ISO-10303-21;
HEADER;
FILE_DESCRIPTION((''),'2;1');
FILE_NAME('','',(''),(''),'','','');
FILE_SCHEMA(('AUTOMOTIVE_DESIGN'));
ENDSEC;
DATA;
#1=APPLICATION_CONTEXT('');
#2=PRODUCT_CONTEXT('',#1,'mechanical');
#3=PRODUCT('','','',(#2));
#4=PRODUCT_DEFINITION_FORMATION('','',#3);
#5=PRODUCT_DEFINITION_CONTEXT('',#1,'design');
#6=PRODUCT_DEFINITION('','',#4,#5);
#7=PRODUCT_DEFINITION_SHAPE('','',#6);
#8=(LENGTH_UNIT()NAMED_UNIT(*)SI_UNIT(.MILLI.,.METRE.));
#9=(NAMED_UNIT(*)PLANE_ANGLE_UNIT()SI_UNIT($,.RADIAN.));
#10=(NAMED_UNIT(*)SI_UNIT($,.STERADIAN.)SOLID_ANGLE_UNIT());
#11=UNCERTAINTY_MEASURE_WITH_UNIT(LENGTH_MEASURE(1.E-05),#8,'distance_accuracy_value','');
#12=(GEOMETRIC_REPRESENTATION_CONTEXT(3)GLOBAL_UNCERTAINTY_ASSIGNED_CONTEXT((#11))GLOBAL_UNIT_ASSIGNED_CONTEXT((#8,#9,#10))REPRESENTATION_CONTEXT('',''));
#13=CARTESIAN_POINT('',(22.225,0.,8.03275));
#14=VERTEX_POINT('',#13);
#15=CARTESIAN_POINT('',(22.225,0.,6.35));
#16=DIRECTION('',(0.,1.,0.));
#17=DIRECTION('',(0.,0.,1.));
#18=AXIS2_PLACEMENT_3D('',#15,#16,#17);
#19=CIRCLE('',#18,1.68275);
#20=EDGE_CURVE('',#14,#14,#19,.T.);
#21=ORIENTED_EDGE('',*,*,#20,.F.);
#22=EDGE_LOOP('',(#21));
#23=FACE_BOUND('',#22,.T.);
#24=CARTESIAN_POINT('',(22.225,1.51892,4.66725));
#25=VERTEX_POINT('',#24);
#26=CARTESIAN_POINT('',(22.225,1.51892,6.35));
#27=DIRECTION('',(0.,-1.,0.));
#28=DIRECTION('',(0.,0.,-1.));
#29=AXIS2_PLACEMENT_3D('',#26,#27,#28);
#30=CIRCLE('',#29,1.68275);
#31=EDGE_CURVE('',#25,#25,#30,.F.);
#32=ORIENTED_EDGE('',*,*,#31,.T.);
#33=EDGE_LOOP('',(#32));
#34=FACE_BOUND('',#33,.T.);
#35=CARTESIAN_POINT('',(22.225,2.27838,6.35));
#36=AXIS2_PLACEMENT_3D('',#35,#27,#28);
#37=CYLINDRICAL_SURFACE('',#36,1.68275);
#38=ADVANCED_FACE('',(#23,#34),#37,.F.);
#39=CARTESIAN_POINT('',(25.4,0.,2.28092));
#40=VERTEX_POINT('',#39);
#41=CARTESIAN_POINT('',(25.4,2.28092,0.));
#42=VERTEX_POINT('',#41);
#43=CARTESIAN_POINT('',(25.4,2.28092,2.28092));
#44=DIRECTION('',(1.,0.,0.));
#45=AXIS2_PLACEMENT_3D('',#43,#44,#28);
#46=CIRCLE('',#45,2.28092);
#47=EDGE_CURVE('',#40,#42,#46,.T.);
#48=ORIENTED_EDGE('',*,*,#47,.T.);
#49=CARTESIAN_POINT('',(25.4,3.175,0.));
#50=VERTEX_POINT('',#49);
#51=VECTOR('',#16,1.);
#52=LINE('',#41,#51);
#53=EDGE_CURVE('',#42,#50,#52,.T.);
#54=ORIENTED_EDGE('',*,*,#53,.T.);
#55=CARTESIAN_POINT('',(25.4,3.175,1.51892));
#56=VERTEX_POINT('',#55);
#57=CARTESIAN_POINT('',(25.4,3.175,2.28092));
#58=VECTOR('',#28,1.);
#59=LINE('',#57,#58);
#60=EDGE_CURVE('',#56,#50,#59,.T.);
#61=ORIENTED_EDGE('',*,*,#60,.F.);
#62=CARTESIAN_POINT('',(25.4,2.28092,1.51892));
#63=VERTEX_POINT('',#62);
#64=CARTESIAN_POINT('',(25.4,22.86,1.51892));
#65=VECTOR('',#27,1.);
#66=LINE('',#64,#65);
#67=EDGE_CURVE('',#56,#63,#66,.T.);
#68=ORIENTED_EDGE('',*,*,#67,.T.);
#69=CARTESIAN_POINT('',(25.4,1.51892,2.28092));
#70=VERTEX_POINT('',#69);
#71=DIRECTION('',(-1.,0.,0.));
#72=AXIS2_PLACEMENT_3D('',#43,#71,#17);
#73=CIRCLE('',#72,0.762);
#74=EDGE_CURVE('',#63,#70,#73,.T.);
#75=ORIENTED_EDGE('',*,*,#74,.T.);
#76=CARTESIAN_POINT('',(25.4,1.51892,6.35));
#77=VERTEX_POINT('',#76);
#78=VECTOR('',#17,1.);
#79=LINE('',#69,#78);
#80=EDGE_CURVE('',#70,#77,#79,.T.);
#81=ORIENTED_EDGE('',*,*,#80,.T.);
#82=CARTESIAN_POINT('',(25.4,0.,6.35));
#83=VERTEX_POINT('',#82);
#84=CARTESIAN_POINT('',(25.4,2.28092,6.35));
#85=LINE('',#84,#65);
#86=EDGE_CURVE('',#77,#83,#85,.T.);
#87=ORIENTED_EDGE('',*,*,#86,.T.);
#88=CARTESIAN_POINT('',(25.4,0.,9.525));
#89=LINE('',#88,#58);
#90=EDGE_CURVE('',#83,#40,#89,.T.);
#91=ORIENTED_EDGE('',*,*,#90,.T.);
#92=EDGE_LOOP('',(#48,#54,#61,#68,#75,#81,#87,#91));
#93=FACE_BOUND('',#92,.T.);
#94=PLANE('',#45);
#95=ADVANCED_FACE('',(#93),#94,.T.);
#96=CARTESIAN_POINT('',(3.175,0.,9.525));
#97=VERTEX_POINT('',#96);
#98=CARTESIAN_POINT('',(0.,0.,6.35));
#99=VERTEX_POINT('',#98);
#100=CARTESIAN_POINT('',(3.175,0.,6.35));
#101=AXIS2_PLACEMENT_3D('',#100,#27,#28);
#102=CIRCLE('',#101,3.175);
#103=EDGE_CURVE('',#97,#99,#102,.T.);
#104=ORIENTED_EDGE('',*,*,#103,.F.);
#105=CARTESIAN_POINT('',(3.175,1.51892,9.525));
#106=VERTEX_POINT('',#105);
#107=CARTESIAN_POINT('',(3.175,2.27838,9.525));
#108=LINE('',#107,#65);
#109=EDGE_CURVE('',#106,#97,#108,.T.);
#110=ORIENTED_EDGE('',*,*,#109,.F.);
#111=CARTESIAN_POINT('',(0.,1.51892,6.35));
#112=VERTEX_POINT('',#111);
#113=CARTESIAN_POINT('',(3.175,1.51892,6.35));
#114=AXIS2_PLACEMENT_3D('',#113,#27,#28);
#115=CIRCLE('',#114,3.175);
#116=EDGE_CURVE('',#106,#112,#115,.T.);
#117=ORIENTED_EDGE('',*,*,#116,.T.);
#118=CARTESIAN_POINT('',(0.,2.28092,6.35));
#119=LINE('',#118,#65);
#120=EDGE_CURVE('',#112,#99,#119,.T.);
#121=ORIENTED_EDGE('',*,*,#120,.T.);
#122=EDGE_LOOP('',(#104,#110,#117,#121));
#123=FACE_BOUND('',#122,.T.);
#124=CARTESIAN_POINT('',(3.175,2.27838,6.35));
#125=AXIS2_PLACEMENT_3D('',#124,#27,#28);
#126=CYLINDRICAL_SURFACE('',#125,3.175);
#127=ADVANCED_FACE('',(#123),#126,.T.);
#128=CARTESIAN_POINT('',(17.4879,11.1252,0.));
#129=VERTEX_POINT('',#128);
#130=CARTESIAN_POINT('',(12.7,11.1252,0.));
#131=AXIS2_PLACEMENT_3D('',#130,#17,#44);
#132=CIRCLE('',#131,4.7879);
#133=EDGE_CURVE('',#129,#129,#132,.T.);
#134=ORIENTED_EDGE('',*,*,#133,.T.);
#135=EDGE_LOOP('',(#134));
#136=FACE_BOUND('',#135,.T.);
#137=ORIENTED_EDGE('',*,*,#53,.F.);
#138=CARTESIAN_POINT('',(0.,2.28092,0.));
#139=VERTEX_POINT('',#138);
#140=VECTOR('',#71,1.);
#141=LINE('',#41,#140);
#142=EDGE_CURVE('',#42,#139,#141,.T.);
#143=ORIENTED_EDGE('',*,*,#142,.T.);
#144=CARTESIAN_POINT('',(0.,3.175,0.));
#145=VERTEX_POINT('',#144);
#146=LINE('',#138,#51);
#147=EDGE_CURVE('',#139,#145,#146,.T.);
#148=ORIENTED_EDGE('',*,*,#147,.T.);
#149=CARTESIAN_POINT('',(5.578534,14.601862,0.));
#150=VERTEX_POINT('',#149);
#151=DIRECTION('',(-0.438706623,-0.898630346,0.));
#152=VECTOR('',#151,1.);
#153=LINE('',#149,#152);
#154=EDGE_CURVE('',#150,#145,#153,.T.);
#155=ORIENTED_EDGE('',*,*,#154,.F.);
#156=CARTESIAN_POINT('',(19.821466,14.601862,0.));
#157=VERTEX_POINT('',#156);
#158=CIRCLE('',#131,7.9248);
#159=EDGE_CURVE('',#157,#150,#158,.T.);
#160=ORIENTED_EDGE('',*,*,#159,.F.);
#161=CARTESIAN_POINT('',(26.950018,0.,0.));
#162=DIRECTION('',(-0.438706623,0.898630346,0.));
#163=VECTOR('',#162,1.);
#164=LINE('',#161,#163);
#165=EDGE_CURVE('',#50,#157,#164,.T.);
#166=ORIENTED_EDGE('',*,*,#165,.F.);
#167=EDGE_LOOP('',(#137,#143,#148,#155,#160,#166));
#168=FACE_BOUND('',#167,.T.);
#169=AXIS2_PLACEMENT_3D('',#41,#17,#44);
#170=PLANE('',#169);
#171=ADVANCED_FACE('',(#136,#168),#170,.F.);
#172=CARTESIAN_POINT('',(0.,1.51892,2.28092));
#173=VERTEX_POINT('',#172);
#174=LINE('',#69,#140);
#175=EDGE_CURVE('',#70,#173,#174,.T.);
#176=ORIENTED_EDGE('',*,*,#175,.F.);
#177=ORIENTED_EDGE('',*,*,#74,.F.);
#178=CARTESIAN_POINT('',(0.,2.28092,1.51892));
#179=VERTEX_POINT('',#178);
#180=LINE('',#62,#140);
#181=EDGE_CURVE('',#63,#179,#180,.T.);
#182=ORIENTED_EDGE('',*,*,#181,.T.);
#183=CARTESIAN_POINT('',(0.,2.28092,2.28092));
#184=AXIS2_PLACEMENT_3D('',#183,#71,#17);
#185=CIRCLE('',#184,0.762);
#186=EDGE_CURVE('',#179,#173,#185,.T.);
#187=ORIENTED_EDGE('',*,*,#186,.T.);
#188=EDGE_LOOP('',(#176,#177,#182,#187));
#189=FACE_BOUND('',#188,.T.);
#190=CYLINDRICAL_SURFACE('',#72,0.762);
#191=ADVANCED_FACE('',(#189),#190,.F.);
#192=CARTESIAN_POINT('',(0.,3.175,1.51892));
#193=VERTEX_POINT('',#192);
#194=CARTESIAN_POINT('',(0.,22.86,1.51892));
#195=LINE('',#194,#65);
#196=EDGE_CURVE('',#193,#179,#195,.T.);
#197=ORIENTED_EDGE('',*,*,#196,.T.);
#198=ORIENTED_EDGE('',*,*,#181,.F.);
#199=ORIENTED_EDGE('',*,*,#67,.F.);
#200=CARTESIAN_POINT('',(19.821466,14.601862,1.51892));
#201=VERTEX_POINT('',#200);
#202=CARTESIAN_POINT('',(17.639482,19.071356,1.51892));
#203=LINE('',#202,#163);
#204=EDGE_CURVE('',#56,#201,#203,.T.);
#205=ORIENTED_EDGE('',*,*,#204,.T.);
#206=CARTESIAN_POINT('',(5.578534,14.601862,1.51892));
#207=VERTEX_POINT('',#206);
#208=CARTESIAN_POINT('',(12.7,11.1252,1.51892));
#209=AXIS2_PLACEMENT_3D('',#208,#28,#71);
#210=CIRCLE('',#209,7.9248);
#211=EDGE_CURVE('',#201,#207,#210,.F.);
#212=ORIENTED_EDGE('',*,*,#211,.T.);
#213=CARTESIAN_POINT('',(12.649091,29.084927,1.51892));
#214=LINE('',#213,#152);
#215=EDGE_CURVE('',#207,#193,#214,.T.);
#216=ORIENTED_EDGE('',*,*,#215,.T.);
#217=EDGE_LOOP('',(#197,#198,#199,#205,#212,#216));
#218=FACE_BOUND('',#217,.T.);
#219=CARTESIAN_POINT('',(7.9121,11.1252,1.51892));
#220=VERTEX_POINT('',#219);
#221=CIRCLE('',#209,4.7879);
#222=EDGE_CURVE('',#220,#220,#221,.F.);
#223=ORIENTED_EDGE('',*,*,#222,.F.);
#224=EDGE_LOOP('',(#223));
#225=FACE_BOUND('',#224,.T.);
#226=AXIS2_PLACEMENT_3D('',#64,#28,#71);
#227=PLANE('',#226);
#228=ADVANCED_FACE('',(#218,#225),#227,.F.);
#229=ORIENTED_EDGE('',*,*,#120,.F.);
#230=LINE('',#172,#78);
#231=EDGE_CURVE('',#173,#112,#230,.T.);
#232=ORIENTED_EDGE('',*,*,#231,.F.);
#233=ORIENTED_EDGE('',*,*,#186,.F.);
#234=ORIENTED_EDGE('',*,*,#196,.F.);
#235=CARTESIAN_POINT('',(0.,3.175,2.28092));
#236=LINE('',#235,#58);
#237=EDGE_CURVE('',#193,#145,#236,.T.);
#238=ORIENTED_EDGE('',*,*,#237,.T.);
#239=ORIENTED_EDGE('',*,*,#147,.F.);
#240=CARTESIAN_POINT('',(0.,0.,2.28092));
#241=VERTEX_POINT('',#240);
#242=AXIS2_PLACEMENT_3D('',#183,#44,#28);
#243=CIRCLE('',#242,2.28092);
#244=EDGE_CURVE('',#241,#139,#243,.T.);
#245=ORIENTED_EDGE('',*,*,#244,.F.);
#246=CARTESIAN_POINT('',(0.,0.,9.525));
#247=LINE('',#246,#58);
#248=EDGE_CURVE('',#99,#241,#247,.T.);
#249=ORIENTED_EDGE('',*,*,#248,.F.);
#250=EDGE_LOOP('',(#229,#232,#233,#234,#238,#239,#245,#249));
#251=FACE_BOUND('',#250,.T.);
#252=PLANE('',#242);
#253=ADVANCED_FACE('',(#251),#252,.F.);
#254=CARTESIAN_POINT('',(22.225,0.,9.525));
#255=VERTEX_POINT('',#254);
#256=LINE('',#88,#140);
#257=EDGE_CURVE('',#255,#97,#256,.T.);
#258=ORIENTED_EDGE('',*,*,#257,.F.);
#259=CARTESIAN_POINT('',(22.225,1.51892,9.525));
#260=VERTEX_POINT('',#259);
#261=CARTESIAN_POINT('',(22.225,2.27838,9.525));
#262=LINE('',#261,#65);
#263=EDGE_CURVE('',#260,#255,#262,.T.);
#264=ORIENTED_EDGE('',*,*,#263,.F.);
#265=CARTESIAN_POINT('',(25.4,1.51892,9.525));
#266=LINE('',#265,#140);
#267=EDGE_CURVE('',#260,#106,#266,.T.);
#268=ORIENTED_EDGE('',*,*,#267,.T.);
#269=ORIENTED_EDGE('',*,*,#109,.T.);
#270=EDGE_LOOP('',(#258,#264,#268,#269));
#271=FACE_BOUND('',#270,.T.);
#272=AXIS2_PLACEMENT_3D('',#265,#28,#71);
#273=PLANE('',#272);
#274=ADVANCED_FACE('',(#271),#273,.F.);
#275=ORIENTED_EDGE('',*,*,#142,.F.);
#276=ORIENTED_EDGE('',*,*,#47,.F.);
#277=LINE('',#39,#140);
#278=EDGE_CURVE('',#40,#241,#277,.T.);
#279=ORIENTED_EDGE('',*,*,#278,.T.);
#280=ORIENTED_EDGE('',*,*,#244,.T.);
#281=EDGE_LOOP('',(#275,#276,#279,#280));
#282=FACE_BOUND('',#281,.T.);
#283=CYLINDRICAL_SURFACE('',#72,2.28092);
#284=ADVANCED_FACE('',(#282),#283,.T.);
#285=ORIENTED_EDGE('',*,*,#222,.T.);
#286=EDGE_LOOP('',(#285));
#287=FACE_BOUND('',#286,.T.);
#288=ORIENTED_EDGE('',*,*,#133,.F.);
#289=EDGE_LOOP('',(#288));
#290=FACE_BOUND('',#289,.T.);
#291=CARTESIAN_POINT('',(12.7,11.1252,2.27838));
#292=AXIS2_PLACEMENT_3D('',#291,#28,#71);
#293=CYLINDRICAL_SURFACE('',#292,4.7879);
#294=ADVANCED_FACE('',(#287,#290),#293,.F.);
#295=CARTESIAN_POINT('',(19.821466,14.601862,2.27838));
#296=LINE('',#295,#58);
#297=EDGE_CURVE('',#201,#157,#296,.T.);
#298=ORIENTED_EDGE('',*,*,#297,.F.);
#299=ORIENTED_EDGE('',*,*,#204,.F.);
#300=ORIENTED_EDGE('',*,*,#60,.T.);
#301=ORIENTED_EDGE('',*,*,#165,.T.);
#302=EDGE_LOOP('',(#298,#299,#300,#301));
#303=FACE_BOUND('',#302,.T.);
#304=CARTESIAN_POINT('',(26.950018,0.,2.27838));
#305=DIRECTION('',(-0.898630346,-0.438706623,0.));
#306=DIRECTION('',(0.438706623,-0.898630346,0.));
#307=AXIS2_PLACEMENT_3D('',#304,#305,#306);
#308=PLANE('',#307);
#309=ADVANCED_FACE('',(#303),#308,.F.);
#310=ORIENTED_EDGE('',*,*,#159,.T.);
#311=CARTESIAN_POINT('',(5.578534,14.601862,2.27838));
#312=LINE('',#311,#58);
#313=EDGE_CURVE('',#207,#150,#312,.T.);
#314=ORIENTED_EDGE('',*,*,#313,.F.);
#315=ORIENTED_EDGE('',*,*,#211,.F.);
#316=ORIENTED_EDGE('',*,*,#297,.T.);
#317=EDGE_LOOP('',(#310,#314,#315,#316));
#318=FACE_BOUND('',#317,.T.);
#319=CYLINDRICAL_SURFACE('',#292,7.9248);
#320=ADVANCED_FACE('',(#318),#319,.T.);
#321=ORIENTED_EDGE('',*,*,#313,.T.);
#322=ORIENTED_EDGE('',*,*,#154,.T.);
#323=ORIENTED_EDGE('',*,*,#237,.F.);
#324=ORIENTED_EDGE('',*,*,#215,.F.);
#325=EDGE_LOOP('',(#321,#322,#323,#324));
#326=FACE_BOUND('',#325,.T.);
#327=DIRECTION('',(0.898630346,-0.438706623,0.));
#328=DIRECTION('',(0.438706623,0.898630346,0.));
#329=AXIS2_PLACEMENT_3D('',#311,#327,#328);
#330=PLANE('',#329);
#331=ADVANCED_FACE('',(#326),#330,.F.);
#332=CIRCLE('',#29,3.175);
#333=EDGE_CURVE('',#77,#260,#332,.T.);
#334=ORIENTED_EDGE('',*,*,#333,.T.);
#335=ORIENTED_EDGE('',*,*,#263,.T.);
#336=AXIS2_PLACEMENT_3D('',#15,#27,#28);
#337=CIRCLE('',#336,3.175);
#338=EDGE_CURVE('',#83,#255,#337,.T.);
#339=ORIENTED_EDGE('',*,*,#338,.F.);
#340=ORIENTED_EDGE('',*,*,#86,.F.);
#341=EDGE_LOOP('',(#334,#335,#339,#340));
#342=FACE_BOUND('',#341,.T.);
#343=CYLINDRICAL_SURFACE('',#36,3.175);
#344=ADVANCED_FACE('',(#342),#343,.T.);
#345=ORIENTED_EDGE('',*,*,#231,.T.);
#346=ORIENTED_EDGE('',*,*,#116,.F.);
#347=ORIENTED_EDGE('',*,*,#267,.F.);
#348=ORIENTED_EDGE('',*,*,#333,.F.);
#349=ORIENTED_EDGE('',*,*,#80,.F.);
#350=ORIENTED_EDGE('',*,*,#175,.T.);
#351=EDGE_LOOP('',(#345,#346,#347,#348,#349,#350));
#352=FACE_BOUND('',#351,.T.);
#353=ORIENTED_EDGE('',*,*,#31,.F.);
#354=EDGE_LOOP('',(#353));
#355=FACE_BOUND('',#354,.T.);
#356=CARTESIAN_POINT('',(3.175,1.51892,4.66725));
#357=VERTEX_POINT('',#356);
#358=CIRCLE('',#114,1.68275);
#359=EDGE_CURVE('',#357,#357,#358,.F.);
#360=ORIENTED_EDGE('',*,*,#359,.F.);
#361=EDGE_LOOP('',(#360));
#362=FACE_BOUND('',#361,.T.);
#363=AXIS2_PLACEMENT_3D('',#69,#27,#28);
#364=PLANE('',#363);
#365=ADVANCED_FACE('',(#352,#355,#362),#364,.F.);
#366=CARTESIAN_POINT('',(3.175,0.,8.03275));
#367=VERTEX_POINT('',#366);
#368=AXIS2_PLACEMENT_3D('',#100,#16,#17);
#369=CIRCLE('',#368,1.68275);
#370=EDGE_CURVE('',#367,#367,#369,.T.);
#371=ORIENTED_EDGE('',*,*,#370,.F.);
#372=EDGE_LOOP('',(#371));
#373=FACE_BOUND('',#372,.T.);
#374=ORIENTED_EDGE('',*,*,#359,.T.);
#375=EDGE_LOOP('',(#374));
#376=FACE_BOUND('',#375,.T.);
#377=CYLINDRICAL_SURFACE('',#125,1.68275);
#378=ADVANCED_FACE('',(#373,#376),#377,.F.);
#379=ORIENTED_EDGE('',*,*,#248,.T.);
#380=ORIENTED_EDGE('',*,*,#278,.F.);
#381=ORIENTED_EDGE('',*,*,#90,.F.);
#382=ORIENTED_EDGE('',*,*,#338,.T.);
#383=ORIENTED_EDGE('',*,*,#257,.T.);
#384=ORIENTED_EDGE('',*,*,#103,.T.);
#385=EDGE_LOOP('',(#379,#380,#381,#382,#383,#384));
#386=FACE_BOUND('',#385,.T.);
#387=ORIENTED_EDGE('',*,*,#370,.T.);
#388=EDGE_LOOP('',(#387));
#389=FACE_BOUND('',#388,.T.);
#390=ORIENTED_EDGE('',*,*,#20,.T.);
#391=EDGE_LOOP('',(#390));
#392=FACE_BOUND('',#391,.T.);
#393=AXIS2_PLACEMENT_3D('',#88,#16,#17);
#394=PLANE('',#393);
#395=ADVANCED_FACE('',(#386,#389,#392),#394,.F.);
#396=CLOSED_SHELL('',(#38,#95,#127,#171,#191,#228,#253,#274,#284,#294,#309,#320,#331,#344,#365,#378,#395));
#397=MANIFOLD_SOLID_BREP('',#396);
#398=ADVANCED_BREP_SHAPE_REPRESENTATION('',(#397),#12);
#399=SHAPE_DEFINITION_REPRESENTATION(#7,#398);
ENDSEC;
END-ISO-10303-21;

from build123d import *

# Parameters (mm, degrees)
BOSS_EXTRUDE1_DEPTH = 25.4
SKETCH2_W           = 35.56
SKETCH2_H           = 32.385
CUT_EXTRUDE1_DEPTH  = 2.27838
SKETCH3_R           = 4.7879
CUT_EXTRUDE2_DEPTH  = 2.27838
SKETCH4_R           = 1.68275
CUT_EXTRUDE3_DEPTH  = 2.27838
SKETCH5_R           = 1.68275
CUT_EXTRUDE4_DEPTH  = 2.27838
CUT_EXTRUDE5_DEPTH  = 2.27838
CUT_EXTRUDE6_DEPTH  = 2.27838


with BuildPart() as part:
    # Sketch1 → Boss-Extrude1 (new body)
    with BuildSketch(Plane(origin=(0, 0, 0), x_dir=(0, 0, -1), z_dir=(1, 0, 0))):
        with BuildLine():
            Line((-9.525, 1.51892), (-9.525, 0))
            Line((-9.525, 0), (-2.28092, 0))
            ThreePointArc((-2.28092, 0), (-0.668066001, 0.668066001), (0, 2.28092))
            Line((0, 2.28092), (0, 22.86))
            Line((0, 22.86), (-1.51892, 22.86))
            Line((-1.51892, 22.86), (-1.51892, 2.28092))
            ThreePointArc((-1.51892, 2.28092), (-1.742104633, 1.742104633), (-2.28092, 1.51892))
            Line((-2.28092, 1.51892), (-9.525, 1.51892))
        make_face()
    extrude(amount=BOSS_EXTRUDE1_DEPTH)

    # Sketch2 → Cut-Extrude1 (cut)
    with BuildSketch(Plane.XY):
        with Locations((12.7, 14.2875)):
            Rectangle(SKETCH2_W, SKETCH2_H)
        with BuildLine():
            Line((-1.550018352, 0), (26.950018352, 0))
            Line((26.950018352, 0), (19.821465766, 14.601862247))
            ThreePointArc((19.821465766, 14.601862247), (12.7, 19.05), (5.578534234, 14.601862247))
            Line((5.578534234, 14.601862247), (-1.550018352, 0))
        make_face(mode=Mode.SUBTRACT)
    extrude(amount=CUT_EXTRUDE1_DEPTH, mode=Mode.SUBTRACT)

    # Sketch3 → Cut-Extrude2 (cut)
    with BuildSketch(Plane.XY):
        with Locations((12.7, 11.1252)):
            Circle(SKETCH3_R)
    extrude(amount=CUT_EXTRUDE2_DEPTH, mode=Mode.SUBTRACT)

    # Sketch4 → Cut-Extrude3 (cut)
    with BuildSketch(Plane(origin=(0, 0, 0), x_dir=(1, 0, 0), z_dir=(0, 1, 0))):
        with Locations((3.175, -6.35)):
            Circle(SKETCH4_R)
    extrude(amount=CUT_EXTRUDE3_DEPTH, mode=Mode.SUBTRACT)

    # Sketch5 → Cut-Extrude4 (cut)
    with BuildSketch(Plane(origin=(0, 0, 0), x_dir=(1, 0, 0), z_dir=(0, 1, 0))):
        with Locations((22.225, -6.35)):
            Circle(SKETCH5_R)
    extrude(amount=CUT_EXTRUDE4_DEPTH, mode=Mode.SUBTRACT)

    # Sketch6 → Cut-Extrude5 (cut)
    with BuildSketch(Plane(origin=(0, 0, 0), x_dir=(1, 0, 0), z_dir=(0, 1, 0))):
        with BuildLine():
            Line((-12.7, -12.7), (3.175, -12.7))
            Line((3.175, -12.7), (3.175, -9.525))
            ThreePointArc((3.175, -9.525), (0.92993597, -8.59506403), (0, -6.35))
            Line((0, -6.35), (-12.7, -6.35))
            Line((-12.7, -6.35), (-12.7, -12.7))
        make_face()
    extrude(amount=CUT_EXTRUDE5_DEPTH, mode=Mode.SUBTRACT)

    # Sketch7 → Cut-Extrude6 (cut)
    with BuildSketch(Plane(origin=(0, 0, 0), x_dir=(1, 0, 0), z_dir=(0, 1, 0))):
        with BuildLine():
            Line((22.225, -9.525), (22.225, -12.7))
            Line((22.225, -12.7), (38.1, -12.7))
            Line((38.1, -12.7), (38.1, -6.35))
            Line((38.1, -6.35), (25.4, -6.35))
            ThreePointArc((25.4, -6.35), (24.47006403, -8.59506403), (22.225, -9.525))
        make_face()
    extrude(amount=CUT_EXTRUDE6_DEPTH, mode=Mode.SUBTRACT)


solid = part.part
